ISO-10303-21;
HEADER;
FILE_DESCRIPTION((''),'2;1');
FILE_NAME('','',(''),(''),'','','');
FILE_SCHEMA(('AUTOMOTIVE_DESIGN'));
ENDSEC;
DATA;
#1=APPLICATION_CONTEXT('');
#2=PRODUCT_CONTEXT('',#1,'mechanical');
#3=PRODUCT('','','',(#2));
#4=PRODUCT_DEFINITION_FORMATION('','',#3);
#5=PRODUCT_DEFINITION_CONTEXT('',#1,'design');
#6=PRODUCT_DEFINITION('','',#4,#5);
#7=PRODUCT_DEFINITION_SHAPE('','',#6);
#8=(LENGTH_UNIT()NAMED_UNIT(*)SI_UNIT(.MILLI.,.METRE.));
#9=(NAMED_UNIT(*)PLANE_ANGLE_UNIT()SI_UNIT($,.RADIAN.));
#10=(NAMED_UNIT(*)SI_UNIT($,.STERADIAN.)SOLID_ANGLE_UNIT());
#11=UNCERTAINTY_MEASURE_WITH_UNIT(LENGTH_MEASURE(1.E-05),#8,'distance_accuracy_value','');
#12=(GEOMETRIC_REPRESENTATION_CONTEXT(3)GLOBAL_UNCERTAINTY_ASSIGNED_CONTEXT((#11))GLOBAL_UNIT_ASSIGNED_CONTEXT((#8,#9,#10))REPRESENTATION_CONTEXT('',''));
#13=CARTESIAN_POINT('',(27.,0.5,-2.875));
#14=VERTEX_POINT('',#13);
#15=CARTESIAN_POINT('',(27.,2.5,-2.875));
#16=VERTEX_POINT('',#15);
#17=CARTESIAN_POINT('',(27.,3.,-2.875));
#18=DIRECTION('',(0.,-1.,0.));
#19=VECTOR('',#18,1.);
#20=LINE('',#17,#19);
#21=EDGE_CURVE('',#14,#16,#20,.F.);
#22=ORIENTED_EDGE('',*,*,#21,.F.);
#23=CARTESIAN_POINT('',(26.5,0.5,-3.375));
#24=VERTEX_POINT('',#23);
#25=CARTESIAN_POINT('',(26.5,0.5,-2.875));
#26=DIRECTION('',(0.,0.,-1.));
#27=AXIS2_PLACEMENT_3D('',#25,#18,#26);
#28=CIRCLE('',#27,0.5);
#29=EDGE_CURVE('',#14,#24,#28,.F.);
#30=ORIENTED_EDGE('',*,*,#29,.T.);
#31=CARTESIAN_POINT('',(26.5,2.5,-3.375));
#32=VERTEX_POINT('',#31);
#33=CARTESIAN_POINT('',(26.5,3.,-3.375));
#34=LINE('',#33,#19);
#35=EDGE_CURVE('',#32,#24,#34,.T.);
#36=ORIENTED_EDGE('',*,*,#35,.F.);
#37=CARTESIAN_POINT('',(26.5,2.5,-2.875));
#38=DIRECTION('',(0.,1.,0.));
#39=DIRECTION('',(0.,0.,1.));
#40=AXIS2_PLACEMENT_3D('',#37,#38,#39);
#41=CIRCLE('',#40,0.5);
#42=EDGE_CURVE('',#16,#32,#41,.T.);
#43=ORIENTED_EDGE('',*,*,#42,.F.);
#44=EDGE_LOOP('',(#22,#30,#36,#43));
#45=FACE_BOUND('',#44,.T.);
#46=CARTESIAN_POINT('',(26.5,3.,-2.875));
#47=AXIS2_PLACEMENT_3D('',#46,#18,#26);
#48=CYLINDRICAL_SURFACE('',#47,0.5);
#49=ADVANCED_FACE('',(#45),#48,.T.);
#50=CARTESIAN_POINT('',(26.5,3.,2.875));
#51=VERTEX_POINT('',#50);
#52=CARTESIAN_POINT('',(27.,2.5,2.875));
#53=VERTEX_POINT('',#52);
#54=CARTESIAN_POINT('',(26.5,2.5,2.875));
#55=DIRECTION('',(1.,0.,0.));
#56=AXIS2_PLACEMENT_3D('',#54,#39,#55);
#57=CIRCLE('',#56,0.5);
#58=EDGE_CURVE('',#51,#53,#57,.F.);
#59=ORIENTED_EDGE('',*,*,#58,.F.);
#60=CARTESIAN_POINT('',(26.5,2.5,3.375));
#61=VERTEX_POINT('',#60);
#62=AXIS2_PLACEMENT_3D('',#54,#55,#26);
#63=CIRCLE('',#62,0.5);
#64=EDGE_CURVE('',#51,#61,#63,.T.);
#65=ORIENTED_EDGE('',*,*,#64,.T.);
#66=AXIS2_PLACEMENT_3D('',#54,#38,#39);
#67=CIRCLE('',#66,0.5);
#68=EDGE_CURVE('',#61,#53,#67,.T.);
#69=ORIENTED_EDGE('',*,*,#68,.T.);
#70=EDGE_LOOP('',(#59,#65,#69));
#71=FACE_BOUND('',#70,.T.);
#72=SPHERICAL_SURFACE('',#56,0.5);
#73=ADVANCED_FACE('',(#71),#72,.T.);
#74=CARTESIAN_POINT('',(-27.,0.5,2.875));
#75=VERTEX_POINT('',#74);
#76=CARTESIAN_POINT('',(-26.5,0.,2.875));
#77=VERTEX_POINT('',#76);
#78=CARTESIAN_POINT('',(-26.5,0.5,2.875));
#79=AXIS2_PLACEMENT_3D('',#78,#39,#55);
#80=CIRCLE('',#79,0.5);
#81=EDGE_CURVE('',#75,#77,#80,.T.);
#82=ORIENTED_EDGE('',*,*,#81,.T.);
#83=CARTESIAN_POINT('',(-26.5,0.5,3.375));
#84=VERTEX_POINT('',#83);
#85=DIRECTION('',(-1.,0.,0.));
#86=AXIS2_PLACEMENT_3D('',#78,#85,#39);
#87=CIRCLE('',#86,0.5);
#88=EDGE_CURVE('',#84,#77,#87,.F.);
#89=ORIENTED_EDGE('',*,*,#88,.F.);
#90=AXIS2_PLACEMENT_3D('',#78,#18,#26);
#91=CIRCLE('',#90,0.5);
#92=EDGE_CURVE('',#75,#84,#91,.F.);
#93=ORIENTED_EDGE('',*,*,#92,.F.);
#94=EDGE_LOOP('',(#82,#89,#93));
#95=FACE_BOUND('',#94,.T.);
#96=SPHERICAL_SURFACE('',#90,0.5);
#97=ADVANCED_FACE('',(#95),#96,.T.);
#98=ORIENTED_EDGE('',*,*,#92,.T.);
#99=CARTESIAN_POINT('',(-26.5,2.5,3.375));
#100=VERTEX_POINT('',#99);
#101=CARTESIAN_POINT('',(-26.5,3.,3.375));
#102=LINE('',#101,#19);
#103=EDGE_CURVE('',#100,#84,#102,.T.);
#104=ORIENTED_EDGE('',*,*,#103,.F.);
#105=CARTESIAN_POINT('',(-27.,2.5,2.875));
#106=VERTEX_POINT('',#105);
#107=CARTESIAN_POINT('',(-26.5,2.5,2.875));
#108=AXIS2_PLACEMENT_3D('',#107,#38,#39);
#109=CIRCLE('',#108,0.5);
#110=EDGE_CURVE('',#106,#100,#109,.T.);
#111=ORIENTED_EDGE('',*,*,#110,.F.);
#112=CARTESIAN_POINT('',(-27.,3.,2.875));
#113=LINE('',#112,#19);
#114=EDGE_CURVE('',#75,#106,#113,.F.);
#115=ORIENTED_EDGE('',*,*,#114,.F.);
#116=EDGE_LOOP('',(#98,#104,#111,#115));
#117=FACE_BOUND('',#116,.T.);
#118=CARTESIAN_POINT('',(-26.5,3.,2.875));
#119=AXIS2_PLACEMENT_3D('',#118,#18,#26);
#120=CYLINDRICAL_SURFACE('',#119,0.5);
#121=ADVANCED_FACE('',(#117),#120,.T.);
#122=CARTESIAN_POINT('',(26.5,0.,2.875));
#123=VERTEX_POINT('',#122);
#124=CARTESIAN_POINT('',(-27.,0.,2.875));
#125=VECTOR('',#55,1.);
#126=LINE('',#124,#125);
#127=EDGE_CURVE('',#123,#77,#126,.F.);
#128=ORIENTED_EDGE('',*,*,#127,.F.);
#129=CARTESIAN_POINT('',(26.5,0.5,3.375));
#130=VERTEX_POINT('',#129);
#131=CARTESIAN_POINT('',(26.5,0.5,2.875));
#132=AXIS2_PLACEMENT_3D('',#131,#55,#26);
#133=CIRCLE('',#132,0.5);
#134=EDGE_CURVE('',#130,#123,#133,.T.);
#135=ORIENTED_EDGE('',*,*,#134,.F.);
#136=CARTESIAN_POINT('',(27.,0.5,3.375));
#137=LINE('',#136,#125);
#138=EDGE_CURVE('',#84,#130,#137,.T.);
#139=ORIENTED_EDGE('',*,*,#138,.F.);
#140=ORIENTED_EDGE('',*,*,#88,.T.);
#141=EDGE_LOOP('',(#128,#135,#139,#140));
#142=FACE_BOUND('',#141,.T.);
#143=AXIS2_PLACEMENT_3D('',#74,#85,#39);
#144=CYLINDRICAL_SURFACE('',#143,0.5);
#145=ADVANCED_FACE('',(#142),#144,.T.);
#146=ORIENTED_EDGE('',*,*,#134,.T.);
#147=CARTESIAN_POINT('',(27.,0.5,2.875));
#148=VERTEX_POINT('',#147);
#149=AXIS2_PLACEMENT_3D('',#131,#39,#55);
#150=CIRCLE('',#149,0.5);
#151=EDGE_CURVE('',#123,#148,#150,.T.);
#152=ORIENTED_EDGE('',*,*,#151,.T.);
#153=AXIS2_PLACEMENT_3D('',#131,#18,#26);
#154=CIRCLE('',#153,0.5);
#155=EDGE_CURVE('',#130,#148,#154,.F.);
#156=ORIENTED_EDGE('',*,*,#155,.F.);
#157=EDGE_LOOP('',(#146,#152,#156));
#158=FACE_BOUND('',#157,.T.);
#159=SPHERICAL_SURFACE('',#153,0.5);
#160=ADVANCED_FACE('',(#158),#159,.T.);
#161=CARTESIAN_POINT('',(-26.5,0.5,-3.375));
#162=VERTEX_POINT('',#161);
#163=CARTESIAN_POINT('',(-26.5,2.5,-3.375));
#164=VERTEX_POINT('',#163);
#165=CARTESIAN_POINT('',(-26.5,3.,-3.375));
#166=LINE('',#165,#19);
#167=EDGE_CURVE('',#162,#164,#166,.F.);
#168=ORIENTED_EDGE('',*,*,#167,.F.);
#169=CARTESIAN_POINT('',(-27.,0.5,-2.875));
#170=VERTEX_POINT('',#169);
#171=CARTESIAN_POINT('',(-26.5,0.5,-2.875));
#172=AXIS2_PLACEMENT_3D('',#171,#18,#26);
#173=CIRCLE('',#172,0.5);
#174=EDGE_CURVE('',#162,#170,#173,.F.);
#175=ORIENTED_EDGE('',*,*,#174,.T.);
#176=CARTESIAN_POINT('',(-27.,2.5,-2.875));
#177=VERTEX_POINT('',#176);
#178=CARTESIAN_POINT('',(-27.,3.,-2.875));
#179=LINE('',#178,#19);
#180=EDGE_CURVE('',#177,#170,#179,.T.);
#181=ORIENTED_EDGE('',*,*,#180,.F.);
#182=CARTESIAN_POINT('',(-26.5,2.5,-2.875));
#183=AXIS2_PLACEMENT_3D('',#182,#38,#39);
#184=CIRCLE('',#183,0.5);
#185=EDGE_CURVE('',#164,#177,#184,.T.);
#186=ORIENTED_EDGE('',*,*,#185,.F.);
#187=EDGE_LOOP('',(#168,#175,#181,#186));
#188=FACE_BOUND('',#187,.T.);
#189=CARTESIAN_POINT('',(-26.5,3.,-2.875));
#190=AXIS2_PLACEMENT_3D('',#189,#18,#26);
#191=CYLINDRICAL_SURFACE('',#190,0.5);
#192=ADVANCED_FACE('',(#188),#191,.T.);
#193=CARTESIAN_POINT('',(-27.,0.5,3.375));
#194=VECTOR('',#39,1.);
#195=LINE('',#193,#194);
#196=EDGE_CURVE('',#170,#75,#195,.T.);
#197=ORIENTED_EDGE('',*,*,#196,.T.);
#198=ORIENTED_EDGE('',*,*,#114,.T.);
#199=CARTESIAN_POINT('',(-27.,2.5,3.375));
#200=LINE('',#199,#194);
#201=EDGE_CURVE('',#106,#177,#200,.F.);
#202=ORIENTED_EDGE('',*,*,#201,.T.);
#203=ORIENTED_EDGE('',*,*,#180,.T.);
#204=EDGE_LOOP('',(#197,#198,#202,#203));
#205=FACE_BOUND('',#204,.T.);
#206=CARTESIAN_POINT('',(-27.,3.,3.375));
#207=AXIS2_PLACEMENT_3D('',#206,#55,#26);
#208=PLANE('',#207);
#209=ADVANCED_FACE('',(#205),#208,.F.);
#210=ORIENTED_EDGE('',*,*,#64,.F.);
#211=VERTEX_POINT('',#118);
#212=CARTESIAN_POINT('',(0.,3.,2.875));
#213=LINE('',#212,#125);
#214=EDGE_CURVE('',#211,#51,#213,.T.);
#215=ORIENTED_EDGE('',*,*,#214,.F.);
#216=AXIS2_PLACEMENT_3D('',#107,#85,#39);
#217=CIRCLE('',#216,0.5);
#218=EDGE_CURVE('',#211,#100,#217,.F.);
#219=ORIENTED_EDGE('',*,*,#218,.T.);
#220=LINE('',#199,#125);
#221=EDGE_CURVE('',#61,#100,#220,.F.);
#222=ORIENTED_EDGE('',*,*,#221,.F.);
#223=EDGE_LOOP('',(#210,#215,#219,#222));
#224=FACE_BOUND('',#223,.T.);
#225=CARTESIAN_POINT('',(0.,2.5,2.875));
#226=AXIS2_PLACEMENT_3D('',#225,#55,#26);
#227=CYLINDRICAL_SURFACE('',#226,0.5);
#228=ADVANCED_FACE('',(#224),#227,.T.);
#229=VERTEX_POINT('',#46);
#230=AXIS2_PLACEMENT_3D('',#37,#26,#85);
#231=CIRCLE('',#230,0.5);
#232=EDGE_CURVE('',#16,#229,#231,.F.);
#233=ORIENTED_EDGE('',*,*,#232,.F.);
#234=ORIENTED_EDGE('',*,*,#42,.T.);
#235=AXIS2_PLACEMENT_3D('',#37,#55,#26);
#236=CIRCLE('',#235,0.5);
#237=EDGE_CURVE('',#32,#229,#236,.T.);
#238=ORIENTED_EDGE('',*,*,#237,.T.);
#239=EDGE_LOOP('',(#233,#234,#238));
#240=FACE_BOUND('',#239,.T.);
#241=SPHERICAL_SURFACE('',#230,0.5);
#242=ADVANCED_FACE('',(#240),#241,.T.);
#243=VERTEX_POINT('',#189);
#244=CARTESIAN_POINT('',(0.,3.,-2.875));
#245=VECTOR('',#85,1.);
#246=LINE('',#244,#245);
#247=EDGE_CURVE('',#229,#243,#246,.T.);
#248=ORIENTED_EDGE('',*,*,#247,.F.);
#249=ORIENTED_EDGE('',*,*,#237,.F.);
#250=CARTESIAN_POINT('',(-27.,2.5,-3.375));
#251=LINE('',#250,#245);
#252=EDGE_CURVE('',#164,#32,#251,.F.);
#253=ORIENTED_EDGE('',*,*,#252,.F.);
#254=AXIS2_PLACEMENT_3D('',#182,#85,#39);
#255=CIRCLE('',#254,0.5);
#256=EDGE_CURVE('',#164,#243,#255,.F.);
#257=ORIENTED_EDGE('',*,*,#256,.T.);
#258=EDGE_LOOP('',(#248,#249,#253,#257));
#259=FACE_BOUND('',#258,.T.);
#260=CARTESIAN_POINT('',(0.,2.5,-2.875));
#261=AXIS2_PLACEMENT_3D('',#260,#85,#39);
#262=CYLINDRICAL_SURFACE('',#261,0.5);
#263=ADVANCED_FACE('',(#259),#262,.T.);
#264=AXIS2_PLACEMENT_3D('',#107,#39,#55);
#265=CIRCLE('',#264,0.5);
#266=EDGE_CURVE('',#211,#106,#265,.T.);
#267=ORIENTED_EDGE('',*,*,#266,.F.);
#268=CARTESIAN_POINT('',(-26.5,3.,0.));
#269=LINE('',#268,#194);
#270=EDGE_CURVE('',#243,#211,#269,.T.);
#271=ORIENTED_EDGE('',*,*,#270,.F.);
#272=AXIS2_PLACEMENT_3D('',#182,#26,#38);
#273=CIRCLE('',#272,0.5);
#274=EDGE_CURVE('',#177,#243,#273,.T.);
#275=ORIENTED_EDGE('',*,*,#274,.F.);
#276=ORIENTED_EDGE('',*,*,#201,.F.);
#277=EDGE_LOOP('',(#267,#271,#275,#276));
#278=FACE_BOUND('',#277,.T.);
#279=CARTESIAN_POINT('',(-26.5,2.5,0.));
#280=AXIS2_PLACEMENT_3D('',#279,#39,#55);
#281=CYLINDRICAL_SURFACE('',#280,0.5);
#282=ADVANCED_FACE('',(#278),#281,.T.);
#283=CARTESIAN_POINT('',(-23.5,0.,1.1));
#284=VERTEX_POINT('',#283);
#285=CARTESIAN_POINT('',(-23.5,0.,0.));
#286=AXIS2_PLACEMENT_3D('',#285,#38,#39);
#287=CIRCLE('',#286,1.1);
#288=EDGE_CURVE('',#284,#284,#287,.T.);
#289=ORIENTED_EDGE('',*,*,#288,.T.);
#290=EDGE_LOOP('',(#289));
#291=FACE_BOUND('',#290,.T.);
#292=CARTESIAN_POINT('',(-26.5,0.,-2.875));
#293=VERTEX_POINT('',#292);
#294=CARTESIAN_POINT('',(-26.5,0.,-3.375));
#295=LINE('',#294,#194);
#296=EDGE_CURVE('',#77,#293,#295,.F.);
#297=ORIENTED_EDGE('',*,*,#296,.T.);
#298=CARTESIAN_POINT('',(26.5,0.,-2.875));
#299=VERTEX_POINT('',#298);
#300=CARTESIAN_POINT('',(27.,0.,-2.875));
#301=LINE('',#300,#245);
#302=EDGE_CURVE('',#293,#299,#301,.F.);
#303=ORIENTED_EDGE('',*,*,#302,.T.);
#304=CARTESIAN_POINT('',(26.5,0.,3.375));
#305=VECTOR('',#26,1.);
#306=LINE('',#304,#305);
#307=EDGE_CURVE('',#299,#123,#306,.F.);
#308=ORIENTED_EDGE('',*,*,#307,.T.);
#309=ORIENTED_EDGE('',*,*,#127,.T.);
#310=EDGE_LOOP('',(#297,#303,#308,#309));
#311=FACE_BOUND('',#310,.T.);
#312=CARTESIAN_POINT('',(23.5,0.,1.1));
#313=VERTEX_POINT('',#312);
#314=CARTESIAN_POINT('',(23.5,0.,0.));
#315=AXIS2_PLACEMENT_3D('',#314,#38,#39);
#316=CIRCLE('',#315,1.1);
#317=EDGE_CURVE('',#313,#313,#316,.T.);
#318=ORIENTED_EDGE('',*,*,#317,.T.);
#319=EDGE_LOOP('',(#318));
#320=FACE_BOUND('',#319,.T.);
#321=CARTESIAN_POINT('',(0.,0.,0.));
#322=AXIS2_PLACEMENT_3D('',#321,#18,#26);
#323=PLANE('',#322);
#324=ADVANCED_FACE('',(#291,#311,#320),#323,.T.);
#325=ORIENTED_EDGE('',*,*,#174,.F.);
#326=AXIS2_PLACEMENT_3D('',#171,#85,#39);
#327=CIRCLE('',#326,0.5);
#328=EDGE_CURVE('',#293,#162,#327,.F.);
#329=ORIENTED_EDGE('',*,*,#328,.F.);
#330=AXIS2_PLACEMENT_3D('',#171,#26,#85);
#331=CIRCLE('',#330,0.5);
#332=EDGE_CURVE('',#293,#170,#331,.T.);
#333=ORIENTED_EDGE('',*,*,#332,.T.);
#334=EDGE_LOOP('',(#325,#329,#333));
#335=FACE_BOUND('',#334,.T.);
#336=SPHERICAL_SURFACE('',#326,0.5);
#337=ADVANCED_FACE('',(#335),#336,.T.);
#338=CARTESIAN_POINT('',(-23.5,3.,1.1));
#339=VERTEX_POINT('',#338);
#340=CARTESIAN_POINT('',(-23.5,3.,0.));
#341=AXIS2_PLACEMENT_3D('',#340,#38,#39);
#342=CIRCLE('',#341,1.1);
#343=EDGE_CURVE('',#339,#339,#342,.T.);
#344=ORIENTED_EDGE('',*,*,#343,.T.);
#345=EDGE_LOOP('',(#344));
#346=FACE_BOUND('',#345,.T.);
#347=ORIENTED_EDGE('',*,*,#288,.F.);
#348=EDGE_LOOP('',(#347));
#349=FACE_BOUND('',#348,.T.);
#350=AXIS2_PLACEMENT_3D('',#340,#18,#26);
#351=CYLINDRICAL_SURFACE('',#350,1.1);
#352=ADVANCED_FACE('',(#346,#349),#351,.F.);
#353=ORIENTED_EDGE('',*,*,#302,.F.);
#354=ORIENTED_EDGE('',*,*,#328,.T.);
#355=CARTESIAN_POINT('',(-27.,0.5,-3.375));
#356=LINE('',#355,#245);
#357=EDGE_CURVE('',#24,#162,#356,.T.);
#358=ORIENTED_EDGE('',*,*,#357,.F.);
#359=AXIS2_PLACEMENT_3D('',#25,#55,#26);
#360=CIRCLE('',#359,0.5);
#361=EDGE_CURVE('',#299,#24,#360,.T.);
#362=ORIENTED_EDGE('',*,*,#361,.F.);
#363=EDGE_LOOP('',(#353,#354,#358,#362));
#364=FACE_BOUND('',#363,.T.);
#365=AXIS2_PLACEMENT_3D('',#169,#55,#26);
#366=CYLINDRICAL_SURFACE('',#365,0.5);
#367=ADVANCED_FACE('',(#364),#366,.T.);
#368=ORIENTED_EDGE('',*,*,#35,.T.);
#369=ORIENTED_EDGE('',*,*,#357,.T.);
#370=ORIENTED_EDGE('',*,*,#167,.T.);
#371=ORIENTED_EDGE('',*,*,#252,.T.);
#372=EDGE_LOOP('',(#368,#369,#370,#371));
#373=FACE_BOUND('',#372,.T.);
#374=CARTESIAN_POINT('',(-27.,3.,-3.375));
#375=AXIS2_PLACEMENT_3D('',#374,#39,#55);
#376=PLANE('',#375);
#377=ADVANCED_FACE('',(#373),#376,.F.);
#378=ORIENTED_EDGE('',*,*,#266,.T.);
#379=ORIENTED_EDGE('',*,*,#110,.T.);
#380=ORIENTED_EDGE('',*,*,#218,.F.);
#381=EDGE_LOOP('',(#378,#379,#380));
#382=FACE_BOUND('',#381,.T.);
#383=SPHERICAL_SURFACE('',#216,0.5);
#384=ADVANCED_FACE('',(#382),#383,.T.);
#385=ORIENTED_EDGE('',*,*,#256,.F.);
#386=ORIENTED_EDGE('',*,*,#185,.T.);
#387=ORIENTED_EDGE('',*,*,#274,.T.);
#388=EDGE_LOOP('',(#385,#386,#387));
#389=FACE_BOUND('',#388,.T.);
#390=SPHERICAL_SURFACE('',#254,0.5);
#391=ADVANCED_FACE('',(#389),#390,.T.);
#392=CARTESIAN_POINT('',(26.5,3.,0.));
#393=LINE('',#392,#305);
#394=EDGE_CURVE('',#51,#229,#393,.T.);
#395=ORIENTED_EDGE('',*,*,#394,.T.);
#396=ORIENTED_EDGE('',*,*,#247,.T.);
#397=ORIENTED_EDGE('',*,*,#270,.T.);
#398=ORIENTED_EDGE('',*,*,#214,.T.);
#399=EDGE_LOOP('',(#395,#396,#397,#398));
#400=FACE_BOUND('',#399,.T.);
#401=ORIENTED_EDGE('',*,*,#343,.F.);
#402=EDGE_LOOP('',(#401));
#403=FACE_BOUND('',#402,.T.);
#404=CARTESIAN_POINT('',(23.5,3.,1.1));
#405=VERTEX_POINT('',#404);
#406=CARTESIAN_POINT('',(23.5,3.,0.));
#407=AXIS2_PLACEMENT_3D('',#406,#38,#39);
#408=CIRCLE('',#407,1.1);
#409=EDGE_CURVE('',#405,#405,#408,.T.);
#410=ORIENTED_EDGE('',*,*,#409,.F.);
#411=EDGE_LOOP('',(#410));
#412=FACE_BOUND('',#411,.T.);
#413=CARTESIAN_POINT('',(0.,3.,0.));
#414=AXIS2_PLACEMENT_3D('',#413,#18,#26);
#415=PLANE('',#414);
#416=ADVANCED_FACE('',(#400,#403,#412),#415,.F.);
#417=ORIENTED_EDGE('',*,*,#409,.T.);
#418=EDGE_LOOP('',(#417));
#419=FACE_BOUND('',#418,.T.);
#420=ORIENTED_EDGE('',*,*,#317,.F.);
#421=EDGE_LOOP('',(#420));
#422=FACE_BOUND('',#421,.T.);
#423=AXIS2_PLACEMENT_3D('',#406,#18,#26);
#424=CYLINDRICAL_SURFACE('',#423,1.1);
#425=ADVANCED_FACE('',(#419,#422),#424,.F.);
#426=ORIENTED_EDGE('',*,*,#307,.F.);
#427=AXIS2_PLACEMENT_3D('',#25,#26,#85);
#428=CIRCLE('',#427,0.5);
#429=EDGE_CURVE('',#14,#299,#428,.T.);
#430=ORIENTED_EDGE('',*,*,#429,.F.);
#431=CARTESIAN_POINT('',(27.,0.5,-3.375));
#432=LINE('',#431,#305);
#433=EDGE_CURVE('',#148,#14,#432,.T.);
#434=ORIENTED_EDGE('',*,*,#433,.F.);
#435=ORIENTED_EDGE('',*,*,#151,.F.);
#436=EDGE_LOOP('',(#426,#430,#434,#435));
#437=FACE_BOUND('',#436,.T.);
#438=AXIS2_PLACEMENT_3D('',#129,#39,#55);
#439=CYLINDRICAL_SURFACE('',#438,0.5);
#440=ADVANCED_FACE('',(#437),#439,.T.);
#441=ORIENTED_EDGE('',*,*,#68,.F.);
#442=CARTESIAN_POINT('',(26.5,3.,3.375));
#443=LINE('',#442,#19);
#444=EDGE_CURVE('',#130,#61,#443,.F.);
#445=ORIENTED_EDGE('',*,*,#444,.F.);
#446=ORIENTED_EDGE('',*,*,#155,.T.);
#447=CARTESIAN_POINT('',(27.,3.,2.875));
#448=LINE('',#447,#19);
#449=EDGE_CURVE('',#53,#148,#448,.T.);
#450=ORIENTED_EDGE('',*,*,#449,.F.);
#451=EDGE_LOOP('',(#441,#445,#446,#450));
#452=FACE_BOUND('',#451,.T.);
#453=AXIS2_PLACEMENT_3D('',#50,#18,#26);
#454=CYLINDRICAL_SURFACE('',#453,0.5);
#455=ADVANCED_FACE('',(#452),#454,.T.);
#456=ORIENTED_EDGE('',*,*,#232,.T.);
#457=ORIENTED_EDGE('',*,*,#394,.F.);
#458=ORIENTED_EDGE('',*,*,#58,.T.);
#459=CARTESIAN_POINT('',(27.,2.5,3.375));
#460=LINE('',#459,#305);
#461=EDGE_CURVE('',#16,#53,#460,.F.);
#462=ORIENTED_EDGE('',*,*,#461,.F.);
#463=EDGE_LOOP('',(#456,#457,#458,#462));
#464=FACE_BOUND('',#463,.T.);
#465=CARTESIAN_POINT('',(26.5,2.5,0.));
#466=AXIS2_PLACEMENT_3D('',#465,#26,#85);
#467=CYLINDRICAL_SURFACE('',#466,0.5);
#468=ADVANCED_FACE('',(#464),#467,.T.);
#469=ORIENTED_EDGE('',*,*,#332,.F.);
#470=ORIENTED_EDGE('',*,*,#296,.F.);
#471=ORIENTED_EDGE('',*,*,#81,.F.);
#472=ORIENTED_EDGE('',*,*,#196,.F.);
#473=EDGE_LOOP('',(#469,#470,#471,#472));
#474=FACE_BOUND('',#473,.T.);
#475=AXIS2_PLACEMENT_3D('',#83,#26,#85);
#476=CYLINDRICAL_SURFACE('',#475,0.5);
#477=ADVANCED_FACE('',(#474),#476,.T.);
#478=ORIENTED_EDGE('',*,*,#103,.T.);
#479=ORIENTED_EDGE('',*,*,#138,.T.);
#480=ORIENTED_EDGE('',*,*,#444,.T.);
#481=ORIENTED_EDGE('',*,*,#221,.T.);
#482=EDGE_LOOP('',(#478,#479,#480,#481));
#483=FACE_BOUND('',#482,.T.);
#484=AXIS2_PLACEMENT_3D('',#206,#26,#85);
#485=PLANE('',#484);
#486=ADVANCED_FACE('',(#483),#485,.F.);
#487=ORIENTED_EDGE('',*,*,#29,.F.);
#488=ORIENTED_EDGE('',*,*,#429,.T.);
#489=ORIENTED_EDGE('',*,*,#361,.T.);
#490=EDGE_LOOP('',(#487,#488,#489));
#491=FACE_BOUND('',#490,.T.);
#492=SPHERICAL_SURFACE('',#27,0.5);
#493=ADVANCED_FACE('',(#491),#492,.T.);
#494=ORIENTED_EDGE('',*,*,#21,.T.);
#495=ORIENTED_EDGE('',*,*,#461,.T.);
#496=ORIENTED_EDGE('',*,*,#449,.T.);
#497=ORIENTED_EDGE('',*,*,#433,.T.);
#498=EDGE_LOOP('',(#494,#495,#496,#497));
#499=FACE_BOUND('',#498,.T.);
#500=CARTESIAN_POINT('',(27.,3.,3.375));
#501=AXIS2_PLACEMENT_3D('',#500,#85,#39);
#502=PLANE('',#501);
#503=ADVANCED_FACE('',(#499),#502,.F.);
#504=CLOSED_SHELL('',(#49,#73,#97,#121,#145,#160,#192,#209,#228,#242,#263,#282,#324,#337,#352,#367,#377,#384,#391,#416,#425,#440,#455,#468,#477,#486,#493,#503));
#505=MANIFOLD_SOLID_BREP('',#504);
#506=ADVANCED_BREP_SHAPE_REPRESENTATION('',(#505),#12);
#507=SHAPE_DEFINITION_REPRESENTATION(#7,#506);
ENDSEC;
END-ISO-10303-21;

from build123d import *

# Parameters (mm, degrees)
SKETCH1_W           = 54
SKETCH1_H           = 6.75
SKETCH1_R           = 1.1
BOSS_EXTRUDE1_DEPTH = 3
FILLET1_R           = 0.5


with BuildPart() as part:
    # Sketch1 → Boss-Extrude1 (new body)
    with BuildSketch(Plane(origin=(0, 0, 0), x_dir=(1, 0, 0), z_dir=(0, 1, 0))):
        Rectangle(SKETCH1_W, SKETCH1_H)
        with Locations(Location((-23.5, 0, 0), (0, 0, 270))):
            Circle(SKETCH1_R, mode=Mode.SUBTRACT)
        with Locations(Location((23.5, 0, 0), (0, 0, 270))):
            Circle(SKETCH1_R, mode=Mode.SUBTRACT)
    extrude(amount=BOSS_EXTRUDE1_DEPTH)

    # Fillet1
    fillet1_edges = [part.edges().sort_by_distance(p)[0] for p in [
        (-27, 3, 0),
        (0, 3, 3.375),
        (27, 3, 0),
        (0, 0, 3.375),
        (-27, 0, 0),
        (0, 0, -3.375),
        (27, 0, 0),
        (27, 1.5, 3.375),
        (-27, 1.5, 3.375),
        (-27, 1.5, -3.375),
        (27, 1.5, -3.375),
        (0, 3, -3.375),
    ]]
    fillet(fillet1_edges, radius=FILLET1_R)


solid = part.part
